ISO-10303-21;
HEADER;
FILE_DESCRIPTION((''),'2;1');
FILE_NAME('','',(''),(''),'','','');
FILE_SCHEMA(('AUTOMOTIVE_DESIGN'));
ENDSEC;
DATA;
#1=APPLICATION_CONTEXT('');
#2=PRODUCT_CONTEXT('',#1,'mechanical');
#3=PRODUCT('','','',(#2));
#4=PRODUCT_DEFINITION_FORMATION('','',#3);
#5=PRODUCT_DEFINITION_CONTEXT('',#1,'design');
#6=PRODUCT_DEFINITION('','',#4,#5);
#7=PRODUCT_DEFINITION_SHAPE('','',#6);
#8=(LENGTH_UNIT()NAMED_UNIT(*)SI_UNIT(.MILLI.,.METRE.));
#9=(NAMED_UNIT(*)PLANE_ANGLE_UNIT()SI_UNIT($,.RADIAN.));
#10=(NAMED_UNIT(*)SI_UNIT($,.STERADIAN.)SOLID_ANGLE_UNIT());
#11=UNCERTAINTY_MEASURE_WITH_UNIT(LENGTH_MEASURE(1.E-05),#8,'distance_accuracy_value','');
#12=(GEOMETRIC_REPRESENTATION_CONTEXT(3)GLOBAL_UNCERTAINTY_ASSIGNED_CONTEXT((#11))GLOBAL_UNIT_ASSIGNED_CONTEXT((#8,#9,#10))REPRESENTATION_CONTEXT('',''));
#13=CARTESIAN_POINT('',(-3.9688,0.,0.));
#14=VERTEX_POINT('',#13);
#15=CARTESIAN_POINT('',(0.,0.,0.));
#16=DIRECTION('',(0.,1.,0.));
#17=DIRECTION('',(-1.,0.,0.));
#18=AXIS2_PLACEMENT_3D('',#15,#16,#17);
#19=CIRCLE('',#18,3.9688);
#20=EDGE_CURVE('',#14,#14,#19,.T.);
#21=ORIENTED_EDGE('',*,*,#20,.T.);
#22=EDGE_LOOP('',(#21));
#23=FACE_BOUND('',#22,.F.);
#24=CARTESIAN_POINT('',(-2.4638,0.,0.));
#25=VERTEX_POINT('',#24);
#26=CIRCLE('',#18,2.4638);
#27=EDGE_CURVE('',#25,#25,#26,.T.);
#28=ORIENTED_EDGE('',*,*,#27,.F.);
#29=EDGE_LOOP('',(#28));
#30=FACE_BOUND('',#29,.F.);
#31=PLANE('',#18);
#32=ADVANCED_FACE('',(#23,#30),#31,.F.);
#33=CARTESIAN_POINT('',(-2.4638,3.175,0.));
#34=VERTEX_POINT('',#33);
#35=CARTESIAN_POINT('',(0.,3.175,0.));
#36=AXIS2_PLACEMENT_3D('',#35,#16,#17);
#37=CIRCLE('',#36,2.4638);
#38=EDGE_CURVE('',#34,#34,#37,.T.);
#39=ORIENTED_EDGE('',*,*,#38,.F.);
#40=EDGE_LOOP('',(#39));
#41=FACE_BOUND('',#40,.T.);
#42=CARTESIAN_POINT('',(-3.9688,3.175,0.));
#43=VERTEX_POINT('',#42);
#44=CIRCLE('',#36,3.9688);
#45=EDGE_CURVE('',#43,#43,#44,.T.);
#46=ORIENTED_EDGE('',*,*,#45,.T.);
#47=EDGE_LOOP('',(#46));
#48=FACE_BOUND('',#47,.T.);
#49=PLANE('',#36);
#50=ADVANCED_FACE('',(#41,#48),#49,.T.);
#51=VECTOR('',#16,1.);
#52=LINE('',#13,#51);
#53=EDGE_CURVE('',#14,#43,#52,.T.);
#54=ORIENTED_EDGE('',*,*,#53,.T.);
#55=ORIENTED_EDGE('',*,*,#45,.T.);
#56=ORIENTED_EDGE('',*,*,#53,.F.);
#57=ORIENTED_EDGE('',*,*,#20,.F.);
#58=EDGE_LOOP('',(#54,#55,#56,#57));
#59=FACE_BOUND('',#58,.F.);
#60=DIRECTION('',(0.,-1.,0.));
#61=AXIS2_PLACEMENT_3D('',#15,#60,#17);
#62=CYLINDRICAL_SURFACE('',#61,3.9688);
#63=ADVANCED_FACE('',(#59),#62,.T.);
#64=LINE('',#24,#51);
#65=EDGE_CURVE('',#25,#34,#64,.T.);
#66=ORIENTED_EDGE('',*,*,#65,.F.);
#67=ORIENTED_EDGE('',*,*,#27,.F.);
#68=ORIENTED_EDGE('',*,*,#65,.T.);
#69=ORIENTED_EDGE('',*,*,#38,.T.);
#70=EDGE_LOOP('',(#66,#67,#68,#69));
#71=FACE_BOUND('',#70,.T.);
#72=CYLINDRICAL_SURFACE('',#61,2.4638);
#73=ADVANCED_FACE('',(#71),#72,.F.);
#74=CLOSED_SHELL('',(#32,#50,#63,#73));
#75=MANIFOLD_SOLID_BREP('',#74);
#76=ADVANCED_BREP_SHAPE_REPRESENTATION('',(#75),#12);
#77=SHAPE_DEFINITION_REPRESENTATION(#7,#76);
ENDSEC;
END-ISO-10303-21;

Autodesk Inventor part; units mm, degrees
ref_plane "YZ Plane" through (0, 0, 0) normal (1, 0, 0) x (0, 1, 0)
ref_plane "XZ Plane" through (0, 0, 0) normal (0, 1, 0) x (-1, 0, 0)
ref_plane "XY Plane" through (0, 0, 0) normal (0, 0, 1) x (1, 0, 0)
sketch "Sketch1" plane through (0, 0, 0) normal (0, 1, 0) x (-1, 0, 0)
  circle A0 centre (0, 0) radius 2.4638
  circle A1 centre (0, 0) radius 3.9688
  dimension "d0" = 4.9276
  dimension "d1" = 7.9375
extrude "Extrusion1" add sketch "Sketch1" along normal blind 3.175
properties part number "Spacer (Nylon), .313 0.125''" material "ABS Plastic"
